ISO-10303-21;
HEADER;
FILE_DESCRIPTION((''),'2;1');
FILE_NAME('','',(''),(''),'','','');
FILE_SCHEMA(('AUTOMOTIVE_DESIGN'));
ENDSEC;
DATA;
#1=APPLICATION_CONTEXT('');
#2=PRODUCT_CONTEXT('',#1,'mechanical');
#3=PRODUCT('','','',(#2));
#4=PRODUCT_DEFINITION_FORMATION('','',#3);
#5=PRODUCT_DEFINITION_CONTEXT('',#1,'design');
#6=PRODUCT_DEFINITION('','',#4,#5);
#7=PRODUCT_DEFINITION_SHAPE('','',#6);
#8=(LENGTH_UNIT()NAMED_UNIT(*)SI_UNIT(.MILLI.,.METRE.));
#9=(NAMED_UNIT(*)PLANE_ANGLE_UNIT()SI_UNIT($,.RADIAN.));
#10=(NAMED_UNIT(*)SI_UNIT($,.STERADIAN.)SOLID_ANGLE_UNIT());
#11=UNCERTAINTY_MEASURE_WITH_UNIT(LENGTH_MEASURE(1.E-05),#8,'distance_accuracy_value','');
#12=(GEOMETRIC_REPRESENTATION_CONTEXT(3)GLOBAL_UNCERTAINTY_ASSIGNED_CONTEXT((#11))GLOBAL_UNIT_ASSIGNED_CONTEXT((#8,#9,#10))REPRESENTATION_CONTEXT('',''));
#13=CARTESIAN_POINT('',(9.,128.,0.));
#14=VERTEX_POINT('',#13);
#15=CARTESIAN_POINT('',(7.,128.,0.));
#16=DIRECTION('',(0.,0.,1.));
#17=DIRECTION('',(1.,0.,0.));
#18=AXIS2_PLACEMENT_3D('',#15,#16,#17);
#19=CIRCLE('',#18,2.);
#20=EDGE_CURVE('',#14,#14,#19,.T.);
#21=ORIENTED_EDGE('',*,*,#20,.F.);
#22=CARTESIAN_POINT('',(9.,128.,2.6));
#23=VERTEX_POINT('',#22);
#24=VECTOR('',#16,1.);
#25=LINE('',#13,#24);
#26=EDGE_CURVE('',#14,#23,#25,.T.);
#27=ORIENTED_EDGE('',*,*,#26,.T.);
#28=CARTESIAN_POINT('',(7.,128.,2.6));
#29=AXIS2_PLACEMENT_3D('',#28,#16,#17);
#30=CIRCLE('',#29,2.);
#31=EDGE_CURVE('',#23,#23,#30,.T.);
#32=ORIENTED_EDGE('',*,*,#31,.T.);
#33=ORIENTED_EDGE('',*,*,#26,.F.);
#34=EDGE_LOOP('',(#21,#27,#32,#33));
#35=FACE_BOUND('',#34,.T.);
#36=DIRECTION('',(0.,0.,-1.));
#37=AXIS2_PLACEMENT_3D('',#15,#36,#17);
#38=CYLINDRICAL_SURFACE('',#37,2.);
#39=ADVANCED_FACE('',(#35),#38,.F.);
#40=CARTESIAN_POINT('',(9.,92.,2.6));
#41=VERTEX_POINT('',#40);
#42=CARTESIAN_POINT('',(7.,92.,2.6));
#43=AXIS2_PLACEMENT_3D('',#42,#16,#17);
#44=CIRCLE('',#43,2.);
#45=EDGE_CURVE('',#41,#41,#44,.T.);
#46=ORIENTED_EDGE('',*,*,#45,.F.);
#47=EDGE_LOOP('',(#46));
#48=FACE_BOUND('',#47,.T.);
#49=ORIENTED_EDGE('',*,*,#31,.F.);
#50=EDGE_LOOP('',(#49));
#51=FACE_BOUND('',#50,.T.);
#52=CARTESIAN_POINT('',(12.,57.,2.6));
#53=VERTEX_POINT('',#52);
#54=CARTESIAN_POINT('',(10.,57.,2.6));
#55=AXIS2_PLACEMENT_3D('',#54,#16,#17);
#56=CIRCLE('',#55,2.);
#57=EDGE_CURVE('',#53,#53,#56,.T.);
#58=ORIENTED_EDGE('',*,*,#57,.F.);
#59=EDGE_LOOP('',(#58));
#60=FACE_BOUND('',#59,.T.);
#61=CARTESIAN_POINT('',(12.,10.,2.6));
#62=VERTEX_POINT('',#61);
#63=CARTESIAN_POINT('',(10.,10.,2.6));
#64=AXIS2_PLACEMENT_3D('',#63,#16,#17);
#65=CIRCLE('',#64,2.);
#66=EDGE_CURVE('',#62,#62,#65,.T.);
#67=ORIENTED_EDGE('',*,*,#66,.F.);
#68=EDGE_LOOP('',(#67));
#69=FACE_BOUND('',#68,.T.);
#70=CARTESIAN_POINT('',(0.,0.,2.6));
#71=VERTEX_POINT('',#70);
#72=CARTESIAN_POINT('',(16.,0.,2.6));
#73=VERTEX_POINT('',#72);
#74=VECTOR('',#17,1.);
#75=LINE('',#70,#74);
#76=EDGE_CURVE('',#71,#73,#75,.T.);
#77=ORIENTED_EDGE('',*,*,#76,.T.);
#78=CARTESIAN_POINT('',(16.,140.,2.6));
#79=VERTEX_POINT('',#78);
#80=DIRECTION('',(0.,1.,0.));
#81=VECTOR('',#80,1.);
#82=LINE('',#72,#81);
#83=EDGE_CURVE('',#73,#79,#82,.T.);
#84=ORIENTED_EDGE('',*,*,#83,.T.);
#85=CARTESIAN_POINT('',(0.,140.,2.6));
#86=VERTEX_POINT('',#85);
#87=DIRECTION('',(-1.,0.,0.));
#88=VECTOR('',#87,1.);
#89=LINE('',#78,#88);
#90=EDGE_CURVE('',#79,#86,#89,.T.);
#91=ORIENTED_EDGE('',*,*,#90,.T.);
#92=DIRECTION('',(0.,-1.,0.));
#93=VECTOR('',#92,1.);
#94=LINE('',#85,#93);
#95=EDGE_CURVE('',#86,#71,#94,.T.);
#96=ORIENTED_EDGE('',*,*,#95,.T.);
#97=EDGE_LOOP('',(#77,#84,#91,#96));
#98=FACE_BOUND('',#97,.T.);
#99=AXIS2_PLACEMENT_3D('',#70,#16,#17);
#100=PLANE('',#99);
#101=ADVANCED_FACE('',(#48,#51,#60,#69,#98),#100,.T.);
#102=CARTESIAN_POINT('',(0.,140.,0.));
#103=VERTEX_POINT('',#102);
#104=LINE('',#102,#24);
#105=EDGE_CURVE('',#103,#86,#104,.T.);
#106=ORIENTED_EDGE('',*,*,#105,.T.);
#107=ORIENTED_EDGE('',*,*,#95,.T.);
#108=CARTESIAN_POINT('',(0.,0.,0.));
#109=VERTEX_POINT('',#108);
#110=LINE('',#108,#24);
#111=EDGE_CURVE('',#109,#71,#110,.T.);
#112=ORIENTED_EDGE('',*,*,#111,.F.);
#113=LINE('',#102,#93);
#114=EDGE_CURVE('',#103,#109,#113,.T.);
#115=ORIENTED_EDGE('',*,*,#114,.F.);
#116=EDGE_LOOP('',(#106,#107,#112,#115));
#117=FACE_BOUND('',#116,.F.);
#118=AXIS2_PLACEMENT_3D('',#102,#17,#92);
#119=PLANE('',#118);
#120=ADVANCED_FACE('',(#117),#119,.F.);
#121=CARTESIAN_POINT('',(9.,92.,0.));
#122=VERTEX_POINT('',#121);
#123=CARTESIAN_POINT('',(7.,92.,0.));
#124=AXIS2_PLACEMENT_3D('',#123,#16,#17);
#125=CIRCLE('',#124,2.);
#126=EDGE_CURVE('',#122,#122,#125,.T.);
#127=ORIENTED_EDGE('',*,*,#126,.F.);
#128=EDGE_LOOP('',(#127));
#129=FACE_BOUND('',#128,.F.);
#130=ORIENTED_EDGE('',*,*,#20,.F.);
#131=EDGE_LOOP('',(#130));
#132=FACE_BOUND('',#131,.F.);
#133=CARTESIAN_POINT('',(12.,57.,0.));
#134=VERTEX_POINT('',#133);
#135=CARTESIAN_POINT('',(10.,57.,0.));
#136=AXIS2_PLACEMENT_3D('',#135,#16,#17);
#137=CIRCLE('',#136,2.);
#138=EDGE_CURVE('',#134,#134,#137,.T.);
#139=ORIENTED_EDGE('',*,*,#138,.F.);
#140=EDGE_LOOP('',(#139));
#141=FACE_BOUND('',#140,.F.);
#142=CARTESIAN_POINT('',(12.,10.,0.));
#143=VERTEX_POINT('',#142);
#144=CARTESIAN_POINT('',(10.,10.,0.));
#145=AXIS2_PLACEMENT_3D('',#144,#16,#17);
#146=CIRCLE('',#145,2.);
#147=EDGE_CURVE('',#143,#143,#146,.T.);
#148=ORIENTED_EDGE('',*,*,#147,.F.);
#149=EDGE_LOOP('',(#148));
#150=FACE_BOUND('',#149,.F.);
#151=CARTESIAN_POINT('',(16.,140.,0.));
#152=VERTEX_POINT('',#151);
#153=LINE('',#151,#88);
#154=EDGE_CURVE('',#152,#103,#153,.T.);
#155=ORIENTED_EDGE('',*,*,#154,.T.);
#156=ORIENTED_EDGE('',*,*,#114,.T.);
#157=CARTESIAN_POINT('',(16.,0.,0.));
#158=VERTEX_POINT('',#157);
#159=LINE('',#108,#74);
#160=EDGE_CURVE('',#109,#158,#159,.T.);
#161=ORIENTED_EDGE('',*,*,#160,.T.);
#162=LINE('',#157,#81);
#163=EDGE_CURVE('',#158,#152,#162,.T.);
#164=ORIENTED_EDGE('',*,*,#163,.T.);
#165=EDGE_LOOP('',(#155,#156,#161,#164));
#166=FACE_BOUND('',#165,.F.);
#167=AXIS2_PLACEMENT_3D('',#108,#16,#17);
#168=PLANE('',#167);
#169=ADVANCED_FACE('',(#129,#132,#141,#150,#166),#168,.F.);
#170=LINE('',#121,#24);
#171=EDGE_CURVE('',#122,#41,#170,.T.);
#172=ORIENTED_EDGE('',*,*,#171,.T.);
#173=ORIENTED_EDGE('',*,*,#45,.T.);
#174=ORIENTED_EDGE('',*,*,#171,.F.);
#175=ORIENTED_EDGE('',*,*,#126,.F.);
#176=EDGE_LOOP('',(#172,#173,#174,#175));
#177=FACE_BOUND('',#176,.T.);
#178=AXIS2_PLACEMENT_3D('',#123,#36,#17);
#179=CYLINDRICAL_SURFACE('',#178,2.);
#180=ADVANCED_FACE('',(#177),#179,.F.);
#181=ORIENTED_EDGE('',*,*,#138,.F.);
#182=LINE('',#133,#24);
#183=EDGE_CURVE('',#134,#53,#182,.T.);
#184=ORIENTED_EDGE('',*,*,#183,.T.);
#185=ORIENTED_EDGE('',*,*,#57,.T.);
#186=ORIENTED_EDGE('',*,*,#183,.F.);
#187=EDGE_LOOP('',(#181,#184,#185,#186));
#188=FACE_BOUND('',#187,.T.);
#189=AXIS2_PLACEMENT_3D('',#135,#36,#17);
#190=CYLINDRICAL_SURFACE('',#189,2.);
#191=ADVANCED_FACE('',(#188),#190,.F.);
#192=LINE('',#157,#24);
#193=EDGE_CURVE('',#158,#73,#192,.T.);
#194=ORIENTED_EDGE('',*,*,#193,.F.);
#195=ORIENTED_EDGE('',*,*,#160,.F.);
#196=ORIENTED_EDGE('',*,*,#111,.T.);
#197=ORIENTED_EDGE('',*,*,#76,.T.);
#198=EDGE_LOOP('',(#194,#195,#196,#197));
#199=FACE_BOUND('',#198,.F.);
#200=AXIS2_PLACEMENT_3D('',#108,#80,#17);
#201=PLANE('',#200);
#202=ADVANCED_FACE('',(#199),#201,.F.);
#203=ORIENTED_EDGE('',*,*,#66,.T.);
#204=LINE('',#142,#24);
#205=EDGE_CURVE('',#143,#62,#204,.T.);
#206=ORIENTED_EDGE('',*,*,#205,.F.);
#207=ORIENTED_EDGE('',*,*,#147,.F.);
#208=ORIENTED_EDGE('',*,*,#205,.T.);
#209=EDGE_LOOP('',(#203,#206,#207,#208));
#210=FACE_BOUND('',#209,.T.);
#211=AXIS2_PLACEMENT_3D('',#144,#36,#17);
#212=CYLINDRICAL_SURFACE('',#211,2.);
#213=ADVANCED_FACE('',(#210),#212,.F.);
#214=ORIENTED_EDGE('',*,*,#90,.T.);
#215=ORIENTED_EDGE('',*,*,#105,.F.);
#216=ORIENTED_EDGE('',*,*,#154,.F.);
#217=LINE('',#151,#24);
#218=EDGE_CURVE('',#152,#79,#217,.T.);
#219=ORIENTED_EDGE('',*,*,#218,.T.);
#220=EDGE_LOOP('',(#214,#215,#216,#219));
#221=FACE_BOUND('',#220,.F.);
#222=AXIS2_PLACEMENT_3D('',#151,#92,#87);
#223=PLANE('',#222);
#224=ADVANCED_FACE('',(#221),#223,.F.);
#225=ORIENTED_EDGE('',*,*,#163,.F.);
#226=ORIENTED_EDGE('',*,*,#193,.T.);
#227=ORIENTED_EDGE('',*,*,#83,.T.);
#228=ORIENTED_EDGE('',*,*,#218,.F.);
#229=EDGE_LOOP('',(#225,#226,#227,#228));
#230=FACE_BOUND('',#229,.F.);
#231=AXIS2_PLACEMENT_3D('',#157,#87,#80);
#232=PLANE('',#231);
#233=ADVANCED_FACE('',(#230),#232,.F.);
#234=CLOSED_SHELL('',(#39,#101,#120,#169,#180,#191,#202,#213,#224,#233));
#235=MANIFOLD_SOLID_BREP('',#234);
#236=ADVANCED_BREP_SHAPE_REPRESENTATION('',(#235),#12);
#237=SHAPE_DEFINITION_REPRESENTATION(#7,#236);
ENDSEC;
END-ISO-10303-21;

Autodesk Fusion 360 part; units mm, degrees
sketch "Sketch1" plane through (0, 0, 0) normal (0, 0, 1) x (1, 0, 0)
  line L0 (0, 0) -> (16, 0)
  line L1 (16, 0) -> (16, 140)
  line L2 (16, 140) -> (0, 140)
  line L3 (0, 140) -> (0, 0)
  circle A0 centre (7, 128) radius 2
  circle A1 centre (7, 92) radius 2
  circle A2 centre (10, 57) radius 2
  circle A3 centre (10, 10) radius 2
  dimension "d1" = 16
  dimension "d2" = 140
  dimension "d3" = 4
  dimension "d4" = 12
  dimension "d5" = 7
  dimension "d6" = 4
  dimension "d7" = 48
  dimension "d9" = 7
  dimension "d10" = 4
  dimension "d11" = 83
  dimension "d12" = 10
  dimension "d13" = 4
  dimension "d14" = 130
  dimension "d15" = 10
extrude "Extrude1" add sketch "Sketch1" along normal blind 2.6
